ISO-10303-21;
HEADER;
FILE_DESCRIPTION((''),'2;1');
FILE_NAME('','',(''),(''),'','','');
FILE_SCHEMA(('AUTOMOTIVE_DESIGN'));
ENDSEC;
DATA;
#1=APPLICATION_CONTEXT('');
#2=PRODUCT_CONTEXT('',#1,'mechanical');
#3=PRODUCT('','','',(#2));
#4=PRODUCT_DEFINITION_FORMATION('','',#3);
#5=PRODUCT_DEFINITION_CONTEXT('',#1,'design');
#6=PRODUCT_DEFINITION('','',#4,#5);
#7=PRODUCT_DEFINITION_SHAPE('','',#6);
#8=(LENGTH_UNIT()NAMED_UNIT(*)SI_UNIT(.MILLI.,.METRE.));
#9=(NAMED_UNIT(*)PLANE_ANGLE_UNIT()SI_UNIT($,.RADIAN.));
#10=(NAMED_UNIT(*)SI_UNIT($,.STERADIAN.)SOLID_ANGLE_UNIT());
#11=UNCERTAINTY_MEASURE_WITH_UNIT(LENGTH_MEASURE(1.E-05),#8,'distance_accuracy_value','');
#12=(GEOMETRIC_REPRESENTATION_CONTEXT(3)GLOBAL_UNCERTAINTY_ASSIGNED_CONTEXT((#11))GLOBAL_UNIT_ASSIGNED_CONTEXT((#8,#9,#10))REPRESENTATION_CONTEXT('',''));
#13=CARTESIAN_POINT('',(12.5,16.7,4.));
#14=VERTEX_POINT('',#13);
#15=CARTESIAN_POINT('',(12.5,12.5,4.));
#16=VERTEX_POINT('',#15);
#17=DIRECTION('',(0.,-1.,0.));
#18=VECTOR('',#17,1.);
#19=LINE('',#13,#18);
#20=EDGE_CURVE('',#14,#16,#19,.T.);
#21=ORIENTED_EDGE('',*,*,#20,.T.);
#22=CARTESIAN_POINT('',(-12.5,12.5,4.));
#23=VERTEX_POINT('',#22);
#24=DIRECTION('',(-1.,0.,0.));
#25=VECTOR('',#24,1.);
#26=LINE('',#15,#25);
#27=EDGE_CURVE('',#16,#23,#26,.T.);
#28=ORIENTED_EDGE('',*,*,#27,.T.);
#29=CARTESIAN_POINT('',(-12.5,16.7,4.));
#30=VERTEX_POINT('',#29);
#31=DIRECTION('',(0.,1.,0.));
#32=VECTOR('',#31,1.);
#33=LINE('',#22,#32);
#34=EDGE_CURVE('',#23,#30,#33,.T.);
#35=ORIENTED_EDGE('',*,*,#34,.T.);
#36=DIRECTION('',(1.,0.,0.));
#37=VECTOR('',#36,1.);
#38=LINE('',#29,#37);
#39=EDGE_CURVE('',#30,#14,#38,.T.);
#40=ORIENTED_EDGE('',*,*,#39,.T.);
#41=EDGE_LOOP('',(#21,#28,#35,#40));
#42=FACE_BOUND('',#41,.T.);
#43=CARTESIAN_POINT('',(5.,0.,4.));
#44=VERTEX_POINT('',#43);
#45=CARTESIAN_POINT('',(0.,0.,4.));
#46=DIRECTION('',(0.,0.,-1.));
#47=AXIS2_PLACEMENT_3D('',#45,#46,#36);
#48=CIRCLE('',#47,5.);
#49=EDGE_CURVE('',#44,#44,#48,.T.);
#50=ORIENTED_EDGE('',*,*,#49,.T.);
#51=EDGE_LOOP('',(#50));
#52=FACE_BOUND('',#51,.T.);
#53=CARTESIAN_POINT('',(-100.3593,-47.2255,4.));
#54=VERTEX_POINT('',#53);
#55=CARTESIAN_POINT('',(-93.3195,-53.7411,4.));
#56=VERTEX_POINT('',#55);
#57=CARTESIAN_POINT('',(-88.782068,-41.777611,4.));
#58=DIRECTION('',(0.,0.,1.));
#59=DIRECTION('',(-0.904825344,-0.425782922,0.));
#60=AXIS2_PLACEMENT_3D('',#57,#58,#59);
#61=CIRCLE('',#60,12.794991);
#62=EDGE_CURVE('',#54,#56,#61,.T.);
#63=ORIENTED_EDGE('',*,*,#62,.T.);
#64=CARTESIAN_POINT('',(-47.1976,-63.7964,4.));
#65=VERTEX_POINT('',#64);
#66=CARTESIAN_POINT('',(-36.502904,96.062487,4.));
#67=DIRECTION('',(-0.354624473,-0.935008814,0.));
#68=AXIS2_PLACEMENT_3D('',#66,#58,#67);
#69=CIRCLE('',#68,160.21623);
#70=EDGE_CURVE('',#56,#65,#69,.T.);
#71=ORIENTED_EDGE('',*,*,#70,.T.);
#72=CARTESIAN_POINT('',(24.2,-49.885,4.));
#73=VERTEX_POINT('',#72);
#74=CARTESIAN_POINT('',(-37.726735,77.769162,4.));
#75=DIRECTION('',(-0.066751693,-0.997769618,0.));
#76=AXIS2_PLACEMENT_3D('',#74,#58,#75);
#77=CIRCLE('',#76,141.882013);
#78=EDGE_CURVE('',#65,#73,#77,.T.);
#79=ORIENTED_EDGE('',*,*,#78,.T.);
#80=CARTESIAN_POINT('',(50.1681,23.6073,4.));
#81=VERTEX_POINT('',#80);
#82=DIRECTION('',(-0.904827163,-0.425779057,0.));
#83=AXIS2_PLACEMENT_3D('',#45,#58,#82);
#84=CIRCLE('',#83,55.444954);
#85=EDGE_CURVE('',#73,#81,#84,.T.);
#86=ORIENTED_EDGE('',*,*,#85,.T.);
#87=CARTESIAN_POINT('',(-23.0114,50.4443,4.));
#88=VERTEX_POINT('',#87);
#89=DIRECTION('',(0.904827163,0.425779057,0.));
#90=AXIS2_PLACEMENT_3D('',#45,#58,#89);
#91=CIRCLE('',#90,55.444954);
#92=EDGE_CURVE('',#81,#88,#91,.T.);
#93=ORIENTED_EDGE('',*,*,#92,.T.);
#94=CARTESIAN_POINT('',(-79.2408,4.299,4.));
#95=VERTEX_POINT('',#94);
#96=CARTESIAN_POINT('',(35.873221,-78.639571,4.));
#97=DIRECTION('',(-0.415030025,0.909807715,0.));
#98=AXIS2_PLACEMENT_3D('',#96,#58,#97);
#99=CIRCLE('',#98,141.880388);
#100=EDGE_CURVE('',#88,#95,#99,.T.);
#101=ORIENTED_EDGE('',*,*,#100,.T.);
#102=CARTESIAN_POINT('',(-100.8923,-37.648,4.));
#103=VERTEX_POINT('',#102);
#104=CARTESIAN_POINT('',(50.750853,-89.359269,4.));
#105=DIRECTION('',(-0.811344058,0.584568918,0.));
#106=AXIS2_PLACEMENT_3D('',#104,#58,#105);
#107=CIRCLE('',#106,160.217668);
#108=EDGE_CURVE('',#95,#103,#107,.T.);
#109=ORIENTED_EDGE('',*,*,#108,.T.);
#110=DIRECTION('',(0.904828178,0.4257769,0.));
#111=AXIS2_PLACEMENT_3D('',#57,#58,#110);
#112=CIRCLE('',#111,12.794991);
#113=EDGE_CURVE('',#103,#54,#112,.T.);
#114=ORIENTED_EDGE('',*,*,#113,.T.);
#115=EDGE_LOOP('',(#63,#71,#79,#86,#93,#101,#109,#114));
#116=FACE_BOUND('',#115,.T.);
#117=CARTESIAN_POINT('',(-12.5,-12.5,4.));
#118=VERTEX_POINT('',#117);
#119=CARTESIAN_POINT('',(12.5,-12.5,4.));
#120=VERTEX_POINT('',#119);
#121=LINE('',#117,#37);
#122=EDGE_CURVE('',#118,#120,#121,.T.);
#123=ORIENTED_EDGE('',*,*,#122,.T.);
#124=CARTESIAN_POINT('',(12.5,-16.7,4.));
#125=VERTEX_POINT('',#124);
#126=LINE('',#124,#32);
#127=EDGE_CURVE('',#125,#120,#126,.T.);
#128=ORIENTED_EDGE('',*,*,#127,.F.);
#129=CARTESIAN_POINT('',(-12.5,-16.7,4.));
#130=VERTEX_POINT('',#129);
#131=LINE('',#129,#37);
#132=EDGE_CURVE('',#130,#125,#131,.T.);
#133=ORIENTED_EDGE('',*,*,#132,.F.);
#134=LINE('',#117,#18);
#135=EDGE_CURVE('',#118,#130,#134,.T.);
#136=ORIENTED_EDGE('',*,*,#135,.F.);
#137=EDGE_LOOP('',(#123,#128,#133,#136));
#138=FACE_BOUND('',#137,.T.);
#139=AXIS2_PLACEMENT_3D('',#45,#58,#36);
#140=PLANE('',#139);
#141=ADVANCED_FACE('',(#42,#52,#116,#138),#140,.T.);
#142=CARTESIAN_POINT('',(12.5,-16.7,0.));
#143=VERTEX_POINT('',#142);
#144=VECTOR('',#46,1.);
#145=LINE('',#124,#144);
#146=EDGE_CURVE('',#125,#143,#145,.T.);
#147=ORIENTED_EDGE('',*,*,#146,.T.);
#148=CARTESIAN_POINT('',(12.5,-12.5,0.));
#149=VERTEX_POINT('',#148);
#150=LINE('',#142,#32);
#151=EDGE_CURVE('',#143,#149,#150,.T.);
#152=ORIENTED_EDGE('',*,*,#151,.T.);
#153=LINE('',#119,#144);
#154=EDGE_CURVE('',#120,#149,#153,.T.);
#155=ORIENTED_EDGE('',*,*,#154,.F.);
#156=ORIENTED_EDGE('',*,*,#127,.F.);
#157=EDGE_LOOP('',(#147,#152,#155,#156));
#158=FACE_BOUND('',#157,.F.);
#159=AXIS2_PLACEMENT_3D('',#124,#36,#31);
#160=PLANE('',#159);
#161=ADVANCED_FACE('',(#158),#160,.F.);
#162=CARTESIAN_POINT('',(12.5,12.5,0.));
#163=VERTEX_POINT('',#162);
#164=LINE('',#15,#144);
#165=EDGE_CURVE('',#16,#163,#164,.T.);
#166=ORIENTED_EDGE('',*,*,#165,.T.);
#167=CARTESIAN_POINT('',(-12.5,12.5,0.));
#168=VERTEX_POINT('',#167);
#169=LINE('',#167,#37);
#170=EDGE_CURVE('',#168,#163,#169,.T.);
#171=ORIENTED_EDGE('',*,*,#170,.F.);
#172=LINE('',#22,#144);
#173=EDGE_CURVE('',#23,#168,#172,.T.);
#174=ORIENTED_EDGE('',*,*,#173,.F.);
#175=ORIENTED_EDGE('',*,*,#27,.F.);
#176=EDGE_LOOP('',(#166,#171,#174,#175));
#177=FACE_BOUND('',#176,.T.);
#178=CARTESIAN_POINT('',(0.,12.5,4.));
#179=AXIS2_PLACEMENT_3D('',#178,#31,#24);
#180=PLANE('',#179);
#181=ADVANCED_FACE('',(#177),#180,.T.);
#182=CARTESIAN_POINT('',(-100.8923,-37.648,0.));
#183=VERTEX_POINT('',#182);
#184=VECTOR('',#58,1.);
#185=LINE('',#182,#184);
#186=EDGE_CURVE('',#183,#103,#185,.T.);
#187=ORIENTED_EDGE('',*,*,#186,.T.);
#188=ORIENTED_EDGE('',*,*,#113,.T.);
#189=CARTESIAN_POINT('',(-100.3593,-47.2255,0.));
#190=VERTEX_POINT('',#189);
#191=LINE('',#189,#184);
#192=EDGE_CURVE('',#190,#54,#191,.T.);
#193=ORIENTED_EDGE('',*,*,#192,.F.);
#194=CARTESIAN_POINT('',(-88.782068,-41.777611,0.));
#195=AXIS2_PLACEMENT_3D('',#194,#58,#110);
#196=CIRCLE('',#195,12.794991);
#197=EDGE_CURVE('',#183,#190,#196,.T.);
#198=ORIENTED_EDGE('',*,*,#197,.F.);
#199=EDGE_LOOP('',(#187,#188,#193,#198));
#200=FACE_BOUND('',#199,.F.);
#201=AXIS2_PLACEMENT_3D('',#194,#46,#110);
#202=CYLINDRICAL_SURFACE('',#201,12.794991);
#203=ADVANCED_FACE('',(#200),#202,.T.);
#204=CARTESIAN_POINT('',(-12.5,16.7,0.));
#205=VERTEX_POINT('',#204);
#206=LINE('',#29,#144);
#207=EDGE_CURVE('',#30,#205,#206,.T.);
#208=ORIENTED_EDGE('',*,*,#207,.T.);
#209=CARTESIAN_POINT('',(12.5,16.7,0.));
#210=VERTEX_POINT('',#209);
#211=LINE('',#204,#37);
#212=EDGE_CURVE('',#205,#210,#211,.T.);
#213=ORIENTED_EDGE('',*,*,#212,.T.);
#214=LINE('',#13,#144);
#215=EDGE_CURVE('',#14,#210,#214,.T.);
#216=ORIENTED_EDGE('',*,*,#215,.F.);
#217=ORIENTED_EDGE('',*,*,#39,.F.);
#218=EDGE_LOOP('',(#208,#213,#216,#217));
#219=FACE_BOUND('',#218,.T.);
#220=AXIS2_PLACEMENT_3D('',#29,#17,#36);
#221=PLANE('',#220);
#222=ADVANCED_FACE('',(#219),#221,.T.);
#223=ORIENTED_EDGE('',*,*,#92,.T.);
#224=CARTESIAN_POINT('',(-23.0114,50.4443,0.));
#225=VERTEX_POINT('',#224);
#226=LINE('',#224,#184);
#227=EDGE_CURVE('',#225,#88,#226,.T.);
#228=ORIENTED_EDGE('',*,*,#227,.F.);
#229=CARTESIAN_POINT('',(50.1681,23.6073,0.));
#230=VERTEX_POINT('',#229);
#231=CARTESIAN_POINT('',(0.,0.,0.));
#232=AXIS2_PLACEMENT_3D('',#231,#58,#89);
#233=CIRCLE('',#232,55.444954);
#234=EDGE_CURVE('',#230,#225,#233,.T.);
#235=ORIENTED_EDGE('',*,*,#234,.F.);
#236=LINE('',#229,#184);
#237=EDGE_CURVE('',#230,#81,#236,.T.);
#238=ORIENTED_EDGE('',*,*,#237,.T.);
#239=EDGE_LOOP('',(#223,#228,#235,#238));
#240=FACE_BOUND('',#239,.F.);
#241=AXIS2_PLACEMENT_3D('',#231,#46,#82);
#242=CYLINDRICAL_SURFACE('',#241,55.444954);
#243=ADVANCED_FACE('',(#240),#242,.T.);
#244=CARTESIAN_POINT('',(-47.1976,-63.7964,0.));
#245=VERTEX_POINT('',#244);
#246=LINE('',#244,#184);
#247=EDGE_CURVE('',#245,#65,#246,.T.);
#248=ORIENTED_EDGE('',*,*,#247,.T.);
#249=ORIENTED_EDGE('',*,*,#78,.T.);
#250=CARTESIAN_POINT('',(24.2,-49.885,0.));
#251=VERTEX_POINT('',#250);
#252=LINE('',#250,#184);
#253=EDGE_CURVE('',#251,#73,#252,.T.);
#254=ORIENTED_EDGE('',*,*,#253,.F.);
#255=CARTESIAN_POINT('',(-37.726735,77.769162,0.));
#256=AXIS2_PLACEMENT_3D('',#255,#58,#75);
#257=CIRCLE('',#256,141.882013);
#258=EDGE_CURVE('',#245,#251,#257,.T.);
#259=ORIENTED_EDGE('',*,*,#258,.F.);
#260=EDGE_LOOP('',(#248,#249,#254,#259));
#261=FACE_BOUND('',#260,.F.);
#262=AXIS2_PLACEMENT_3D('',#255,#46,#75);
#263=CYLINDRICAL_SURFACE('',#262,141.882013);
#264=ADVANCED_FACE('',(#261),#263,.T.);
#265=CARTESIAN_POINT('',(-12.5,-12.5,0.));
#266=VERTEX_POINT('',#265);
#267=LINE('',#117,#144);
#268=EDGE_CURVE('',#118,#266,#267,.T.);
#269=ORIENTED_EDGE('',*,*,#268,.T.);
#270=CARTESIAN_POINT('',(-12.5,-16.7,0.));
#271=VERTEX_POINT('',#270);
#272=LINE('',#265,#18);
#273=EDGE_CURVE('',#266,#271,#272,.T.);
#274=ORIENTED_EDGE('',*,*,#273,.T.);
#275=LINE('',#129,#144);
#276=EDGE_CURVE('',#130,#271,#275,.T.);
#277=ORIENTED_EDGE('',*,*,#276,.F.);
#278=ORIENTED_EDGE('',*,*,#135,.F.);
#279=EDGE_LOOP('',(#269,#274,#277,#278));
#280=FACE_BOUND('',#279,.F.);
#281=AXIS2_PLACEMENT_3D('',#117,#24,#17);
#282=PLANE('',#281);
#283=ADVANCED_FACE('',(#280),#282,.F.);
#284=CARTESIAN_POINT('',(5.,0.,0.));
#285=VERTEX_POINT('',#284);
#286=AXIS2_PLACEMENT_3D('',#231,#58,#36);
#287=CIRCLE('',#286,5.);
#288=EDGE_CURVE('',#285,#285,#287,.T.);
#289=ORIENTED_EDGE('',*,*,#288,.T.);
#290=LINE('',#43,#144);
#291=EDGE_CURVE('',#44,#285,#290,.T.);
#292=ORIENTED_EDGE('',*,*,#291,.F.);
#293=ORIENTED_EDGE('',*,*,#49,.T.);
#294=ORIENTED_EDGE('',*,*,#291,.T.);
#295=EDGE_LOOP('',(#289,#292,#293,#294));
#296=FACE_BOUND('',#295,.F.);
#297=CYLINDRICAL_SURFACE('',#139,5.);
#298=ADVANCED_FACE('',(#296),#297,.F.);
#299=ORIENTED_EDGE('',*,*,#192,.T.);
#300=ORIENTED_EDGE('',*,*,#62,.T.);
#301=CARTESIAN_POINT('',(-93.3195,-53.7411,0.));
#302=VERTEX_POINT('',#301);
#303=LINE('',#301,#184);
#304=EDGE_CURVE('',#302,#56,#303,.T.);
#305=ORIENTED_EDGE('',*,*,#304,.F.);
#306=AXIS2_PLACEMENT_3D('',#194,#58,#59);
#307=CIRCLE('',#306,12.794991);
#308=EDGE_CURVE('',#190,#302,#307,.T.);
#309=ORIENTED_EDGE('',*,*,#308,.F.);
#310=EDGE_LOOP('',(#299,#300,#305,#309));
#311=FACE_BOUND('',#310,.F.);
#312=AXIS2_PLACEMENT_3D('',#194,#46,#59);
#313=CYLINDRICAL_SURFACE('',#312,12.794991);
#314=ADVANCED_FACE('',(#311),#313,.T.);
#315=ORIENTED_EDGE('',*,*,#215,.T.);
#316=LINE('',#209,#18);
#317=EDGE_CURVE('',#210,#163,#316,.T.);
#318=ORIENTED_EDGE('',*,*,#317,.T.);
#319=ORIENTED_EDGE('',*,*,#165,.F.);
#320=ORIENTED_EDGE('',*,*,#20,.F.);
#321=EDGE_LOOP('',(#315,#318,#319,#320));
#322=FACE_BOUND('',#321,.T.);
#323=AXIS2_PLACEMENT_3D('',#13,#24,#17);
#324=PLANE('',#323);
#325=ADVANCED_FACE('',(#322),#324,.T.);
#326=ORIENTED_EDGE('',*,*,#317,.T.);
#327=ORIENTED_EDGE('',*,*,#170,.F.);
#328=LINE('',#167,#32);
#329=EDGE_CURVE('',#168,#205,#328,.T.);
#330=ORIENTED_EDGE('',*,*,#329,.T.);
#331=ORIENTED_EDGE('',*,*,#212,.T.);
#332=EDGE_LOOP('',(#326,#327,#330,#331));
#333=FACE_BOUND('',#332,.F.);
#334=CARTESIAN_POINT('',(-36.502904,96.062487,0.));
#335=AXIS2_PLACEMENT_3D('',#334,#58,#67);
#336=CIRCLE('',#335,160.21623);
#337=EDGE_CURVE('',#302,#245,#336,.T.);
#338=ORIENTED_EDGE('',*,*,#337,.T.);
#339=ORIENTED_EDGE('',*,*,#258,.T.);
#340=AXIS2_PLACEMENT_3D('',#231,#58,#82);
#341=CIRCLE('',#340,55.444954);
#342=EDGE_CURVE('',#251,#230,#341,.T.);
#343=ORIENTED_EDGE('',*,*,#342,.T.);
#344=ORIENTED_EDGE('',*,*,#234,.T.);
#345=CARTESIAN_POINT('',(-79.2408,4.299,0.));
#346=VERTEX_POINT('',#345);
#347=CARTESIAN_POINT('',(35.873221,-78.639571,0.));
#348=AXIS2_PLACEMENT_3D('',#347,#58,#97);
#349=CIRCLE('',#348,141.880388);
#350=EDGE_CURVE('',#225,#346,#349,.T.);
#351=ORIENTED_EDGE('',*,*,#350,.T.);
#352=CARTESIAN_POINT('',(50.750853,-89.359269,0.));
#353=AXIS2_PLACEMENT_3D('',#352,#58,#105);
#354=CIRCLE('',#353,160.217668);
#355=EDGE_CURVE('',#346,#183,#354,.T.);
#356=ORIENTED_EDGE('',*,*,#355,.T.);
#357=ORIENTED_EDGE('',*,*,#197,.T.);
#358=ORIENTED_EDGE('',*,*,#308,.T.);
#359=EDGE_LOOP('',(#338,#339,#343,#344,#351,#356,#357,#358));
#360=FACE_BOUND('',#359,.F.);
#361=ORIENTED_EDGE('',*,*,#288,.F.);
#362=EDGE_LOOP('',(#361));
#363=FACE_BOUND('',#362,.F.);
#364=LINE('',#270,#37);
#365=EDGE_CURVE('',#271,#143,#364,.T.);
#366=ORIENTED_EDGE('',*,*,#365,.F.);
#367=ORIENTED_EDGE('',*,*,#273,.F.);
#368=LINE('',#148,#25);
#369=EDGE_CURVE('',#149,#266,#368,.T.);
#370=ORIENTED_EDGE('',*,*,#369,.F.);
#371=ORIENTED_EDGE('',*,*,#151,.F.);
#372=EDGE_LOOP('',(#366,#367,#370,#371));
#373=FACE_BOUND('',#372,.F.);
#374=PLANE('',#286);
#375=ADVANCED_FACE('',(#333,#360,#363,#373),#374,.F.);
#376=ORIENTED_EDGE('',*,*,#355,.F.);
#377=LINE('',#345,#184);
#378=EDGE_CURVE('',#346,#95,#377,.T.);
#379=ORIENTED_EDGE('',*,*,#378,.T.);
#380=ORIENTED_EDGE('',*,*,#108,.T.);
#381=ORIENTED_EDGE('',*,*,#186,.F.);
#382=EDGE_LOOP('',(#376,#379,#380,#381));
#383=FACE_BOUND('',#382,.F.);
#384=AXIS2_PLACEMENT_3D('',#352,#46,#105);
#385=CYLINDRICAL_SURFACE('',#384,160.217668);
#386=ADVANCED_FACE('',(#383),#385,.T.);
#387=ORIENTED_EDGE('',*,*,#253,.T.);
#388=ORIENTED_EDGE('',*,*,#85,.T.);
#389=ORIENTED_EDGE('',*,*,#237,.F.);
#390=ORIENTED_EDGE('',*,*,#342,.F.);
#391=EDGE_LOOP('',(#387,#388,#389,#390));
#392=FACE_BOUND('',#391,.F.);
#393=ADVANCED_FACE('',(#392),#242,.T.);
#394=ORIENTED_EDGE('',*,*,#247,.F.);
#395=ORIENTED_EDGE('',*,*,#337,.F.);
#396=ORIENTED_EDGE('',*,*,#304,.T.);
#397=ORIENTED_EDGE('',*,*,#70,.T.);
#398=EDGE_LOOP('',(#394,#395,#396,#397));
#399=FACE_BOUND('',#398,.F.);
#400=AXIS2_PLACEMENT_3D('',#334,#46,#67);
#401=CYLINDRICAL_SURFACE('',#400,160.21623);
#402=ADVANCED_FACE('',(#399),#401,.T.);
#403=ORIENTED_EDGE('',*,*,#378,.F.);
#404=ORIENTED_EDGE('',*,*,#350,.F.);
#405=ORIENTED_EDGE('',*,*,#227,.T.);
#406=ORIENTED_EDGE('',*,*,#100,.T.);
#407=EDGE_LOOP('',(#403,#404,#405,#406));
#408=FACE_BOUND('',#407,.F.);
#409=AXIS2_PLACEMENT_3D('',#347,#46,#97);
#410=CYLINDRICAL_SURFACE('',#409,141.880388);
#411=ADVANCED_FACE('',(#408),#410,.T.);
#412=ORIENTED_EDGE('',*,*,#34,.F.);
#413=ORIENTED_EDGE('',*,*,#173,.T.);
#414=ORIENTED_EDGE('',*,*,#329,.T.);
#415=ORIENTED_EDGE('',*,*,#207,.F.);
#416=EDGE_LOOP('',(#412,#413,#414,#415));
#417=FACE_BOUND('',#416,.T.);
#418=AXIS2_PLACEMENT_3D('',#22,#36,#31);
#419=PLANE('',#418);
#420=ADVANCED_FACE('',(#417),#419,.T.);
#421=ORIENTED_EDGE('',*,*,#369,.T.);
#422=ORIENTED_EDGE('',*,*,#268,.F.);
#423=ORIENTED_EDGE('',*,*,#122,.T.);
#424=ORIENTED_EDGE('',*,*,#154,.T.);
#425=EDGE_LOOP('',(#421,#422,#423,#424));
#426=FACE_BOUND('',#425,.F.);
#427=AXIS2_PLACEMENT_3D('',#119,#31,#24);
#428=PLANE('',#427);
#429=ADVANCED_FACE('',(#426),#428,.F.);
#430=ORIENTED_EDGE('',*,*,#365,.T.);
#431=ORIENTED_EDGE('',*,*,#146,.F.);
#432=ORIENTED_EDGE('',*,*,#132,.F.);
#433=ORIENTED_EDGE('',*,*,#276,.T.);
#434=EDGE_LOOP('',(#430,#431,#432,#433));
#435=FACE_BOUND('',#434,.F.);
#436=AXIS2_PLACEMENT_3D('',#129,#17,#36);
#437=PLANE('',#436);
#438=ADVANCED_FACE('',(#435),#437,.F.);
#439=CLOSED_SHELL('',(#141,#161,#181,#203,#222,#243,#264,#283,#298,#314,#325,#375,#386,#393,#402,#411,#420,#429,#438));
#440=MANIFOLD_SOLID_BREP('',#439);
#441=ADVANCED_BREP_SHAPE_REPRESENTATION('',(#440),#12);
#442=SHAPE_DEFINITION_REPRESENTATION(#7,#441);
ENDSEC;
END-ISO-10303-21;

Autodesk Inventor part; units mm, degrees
ref_plane "YZ Plane" through (0, 0, 0) normal (1, 0, 0) x (0, 1, 0)
ref_plane "XZ Plane" through (0, 0, 0) normal (0, 1, 0) x (-1, 0, 0)
ref_plane "XY Plane" through (0, 0, 0) normal (0, 0, 1) x (1, 0, 0)
sketch "Boceto1" plane through (0, 0, 0) normal (0, 0, 1) x (1, 0, 0)
  arc A0 (50.1681, 23.6073) -> (-50.1681, -23.6073) centre (0, 0) ccw
  arc A1 (-77.2048, -36.3298) -> (-100.3593, -47.2255) centre (-88.7821, -41.7777) ccw
  line L0 (-103.7113, -48.8028) -> (-109.1591, -37.2255)
  line L1 (-23.0114, 50.4443) -> (-32.0911, 69.7397)
  line L2 (-32.0911, 69.7397) -> (-109.1591, -37.2255)
  line L3 (-109.1591, -37.2255) -> (-79.2408, 4.299)
  arc A2 (-23.0114, 50.4443) -> (-79.2408, 4.299) centre (35.8738, -78.6405) ccw
  arc A3 (-79.2408, 4.299) -> (-100.8923, -37.648) centre (50.7496, -89.3585) ccw
  line L4 (3.8591, 1.8159) -> (50.1681, 23.6073)
  line L5 (-3.8591, -1.8159) -> (-103.7113, -48.8028)
  arc A4 (-50.1681, -23.6073) -> (50.1681, 23.6073) centre (0, 0) ccw
  arc A5 (-100.3593, -47.2255) -> (-77.2048, -36.3298) centre (-88.7821, -41.7777) ccw
  line L6 (-103.7113, -48.8028) -> (-98.2634, -60.3801)
  line L7 (24.2, -49.885) -> (33.2797, -69.1804)
  line L8 (33.2797, -69.1804) -> (-98.2634, -60.3801)
  line L9 (-98.2634, -60.3801) -> (-47.1976, -63.7964)
  arc A6 (-47.1976, -63.7964) -> (24.2, -49.885) centre (-37.7267, 77.7686) ccw
  arc A7 (-93.3195, -53.7411) -> (-47.1976, -63.7964) centre (-36.5029, 96.0625) ccw
  dimension "d0" = 110.89
  dimension "d6" = 25.59
  dimension "d7" = 12.795
  dimension "d8" = 21.325
  dimension "d9" = 51.18
extrude "Extrusión2" add sketch "Boceto1" along normal blind 4 contours A4 A0 | A0 L5 A1 A3 A2 | A6 A7 A5 L5 A4 | L5 A1 | A5 L5
sketch "Boceto2" plane through (0, 0, 4) normal (0, 0, 1) x (1, 0, 0)
  line L0 (0, 0) -> (0, 12.5)
  line L1 (0, 12.5) -> (-12.5, 12.5)
  line L2 (-12.5, 12.5) -> (-12.5, 16.7)
  line L3 (-12.5, 16.7) -> (12.5, 16.7)
  line L4 (12.5, 16.7) -> (12.5, 12.5)
  line L5 (12.5, 12.5) -> (0, 12.5)
  line L6 (0, 0) -> (12.5, 0)
  line L7 (0, 0) -> (0, -12.5)
  line L8 (0, -12.5) -> (-12.5, -12.5)
  line L9 (-12.5, -12.5) -> (-12.5, -16.7)
  line L10 (-12.5, -16.7) -> (12.5, -16.7)
  line L11 (12.5, -16.7) -> (12.5, -12.5)
  line L12 (12.5, -12.5) -> (0, -12.5)
  circle A0 centre (0, 0) radius 5
  dimension "d24" = 12.5
  dimension "d25" = 12.5
  dimension "d26" = 4.2
  dimension "d27" = 25
  dimension "d28" = 10
extrude "Extrusión3" cut sketch "Boceto2" against normal blind 4
properties part number "leva00" material "Madera (abedul)"
